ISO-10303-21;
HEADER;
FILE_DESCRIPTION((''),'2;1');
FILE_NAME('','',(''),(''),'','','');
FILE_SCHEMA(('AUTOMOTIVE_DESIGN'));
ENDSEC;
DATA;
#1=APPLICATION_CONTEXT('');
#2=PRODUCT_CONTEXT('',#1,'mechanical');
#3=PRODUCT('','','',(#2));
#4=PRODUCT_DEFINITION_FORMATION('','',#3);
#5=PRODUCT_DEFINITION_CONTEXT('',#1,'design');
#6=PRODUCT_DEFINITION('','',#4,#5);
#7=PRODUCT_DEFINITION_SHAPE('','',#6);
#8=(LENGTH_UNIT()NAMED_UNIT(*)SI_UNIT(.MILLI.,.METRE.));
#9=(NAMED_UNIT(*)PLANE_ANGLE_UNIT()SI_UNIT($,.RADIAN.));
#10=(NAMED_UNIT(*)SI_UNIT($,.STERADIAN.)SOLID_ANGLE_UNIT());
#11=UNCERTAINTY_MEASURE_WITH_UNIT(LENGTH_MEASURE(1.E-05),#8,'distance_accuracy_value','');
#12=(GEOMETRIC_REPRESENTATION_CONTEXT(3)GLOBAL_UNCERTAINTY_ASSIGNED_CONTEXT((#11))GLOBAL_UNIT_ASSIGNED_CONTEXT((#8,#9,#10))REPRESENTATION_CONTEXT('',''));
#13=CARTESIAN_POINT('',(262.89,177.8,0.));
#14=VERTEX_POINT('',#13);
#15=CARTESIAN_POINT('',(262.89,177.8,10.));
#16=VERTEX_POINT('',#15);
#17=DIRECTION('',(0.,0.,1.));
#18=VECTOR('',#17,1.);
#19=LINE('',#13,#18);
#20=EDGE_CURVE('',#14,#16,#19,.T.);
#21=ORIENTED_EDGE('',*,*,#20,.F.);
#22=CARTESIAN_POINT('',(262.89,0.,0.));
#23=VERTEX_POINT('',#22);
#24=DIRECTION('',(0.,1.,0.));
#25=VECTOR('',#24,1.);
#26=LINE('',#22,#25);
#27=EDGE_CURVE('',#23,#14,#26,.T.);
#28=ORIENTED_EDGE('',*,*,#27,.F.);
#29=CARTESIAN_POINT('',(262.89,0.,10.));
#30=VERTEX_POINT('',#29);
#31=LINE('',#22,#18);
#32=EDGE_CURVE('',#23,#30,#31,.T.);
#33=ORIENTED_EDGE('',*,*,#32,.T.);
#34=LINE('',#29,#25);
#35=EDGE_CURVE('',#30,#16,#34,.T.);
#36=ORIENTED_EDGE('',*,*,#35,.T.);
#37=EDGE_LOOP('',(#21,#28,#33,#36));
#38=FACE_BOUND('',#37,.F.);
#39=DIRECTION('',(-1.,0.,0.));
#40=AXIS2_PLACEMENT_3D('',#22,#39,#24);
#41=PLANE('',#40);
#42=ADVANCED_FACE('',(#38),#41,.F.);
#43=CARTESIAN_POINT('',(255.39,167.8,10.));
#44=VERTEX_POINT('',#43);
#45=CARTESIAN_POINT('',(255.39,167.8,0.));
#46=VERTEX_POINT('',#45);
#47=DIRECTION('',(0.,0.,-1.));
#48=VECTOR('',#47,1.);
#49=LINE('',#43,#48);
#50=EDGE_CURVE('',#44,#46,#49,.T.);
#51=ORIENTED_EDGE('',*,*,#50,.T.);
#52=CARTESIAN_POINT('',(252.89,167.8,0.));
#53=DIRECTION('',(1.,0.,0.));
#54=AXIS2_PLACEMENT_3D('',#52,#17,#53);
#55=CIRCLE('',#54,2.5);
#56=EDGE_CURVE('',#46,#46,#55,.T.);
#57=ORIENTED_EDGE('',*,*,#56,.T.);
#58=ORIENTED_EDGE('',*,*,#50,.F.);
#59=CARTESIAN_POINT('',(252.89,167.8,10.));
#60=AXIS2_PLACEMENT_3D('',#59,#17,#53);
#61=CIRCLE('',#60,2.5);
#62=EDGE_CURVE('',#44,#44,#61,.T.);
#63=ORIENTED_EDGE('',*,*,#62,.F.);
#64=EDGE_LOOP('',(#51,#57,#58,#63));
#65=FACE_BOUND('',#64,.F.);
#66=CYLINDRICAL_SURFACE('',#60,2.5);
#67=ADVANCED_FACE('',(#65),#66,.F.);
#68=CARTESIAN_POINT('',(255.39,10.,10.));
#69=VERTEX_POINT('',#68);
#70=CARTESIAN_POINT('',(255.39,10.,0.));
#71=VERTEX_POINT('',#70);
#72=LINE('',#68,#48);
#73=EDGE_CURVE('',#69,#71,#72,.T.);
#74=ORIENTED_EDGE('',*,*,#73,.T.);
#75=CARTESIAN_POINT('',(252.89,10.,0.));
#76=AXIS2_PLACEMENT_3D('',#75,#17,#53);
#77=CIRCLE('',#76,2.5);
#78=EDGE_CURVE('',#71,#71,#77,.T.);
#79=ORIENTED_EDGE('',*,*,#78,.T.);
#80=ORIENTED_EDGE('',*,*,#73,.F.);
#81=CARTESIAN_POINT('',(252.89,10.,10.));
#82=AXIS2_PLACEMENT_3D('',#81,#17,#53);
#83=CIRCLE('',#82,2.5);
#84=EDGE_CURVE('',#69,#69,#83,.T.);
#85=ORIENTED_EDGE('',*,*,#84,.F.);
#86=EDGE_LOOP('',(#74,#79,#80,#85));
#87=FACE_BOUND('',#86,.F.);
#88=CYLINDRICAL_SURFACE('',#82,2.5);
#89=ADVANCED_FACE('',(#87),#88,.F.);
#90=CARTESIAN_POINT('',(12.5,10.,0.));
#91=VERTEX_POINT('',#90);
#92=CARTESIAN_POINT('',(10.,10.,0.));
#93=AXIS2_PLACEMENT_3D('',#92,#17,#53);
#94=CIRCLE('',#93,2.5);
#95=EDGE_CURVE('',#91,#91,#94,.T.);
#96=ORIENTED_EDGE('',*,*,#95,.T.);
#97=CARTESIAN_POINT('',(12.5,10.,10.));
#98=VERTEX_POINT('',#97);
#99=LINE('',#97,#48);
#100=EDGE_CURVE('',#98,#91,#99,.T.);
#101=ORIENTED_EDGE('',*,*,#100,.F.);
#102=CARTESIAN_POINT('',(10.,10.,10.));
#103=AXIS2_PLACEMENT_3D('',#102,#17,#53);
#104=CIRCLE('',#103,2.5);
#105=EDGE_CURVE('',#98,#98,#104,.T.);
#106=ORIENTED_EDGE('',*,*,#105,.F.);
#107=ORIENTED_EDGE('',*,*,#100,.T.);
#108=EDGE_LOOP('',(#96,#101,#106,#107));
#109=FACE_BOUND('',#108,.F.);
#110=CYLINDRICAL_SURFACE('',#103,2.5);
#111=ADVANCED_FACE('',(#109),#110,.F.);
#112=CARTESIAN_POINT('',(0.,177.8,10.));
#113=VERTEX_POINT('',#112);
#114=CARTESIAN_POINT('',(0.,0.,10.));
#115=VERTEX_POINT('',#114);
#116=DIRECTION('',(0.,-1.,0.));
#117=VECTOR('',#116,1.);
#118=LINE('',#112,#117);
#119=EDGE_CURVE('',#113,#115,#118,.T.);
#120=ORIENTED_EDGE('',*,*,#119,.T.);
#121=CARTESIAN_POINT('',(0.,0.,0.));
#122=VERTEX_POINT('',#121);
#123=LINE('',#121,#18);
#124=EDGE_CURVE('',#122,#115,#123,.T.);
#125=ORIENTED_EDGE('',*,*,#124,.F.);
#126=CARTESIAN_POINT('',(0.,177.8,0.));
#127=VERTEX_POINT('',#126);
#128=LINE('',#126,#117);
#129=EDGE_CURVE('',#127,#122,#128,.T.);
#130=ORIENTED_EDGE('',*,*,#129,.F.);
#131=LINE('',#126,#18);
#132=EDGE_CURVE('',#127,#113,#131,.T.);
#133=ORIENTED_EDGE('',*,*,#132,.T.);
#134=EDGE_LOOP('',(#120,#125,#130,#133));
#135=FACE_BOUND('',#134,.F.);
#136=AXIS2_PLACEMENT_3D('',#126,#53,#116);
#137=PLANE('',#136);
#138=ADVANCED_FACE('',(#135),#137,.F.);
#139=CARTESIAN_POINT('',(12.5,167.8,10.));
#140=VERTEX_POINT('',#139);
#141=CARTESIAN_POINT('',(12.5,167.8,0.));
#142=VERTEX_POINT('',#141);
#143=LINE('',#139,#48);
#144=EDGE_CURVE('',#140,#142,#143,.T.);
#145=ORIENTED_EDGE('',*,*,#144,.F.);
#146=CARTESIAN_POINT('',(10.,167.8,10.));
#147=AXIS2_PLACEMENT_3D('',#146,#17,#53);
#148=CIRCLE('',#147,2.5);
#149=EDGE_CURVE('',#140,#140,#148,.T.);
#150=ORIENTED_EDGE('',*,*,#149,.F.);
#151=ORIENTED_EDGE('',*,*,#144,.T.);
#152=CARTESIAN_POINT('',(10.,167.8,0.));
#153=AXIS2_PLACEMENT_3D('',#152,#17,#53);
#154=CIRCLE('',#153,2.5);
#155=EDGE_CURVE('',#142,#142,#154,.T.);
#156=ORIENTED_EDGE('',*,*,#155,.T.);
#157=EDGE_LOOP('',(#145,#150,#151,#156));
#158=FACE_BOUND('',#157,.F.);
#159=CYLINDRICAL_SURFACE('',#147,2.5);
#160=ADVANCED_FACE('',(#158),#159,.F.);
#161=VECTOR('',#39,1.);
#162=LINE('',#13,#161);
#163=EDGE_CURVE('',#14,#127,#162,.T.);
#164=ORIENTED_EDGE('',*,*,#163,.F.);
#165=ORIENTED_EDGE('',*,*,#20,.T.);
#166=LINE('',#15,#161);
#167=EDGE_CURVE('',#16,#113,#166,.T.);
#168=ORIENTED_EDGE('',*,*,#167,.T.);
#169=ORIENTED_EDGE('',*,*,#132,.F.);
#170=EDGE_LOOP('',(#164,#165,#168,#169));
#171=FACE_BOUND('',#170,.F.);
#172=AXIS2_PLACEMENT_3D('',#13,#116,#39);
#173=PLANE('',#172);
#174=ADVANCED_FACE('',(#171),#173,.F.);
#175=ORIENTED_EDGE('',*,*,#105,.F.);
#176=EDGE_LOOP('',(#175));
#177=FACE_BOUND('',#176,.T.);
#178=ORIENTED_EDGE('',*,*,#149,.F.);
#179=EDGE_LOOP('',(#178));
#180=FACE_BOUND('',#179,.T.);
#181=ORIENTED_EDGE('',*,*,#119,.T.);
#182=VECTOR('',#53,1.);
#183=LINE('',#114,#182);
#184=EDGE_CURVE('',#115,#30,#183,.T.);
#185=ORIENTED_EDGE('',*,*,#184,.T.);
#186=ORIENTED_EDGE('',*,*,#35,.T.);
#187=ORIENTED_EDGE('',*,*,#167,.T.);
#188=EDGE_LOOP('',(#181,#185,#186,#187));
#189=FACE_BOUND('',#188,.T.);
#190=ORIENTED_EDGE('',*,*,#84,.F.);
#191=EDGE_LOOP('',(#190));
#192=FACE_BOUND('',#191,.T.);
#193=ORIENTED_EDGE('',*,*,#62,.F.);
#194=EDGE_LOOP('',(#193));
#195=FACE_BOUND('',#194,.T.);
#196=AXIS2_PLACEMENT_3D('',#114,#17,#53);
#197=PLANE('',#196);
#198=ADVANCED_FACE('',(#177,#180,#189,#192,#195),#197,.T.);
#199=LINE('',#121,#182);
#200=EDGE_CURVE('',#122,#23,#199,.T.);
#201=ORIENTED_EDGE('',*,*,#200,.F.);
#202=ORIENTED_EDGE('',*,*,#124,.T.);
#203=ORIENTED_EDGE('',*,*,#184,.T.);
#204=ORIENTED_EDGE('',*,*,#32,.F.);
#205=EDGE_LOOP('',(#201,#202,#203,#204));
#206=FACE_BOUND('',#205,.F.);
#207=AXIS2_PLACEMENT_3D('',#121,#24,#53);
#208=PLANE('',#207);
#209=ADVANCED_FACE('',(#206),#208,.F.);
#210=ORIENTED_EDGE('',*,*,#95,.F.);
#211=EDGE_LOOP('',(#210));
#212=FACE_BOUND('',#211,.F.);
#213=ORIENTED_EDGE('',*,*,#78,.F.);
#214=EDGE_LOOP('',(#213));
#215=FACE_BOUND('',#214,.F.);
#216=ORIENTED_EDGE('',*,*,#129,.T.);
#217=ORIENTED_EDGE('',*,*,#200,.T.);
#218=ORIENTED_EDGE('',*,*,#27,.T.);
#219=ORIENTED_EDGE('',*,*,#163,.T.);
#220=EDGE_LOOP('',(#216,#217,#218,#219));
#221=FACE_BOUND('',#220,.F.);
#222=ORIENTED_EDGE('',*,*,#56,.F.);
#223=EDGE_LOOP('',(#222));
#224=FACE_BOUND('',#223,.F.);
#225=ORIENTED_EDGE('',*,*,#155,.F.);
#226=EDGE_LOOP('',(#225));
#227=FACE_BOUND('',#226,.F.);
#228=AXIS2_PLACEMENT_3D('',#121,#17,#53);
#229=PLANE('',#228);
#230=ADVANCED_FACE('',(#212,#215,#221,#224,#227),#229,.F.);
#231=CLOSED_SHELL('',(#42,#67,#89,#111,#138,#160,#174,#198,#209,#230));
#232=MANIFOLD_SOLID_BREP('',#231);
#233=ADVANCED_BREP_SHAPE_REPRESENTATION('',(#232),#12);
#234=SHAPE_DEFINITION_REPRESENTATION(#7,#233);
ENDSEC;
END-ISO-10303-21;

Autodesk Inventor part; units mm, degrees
ref_plane "YZ Plane" through (0, 0, 0) normal (1, 0, 0) x (0, 1, 0)
ref_plane "XZ Plane" through (0, 0, 0) normal (0, 1, 0) x (-1, 0, 0)
ref_plane "XY Plane" through (0, 0, 0) normal (0, 0, 1) x (1, 0, 0)
sketch "Sketch1" plane through (0, 0, 0) normal (0, 0, 1) x (1, 0, 0)
  line L0 (0, 0) -> (262.89, 0)
  line L1 (262.89, 0) -> (262.89, 177.8)
  line L2 (262.89, 177.8) -> (0, 177.8)
  line L3 (0, 177.8) -> (0, 0)
  dimension "d0" = 262.89
  dimension "d1" = 177.8
extrude "Extrusion1" add sketch "Sketch1" along normal blind 10
sketch "Sketch3" plane through (0, 0, 10) normal (0, 0, 1) x (1, 0, 0)
  line L0 (0, 0) -> (262.89, 0) construction
  line L1 (262.89, 0) -> (262.89, 177.8) construction
  line L2 (262.89, 177.8) -> (0, 177.8) construction
  line L3 (0, 177.8) -> (0, 0) construction
  line L4 (10, 167.8) -> (252.89, 167.8) construction
  line L5 (252.89, 167.8) -> (252.89, 10) construction
  line L6 (252.89, 10) -> (10, 10) construction
  line L7 (10, 10) -> (10, 167.8) construction
  circle A0 centre (10, 167.8) radius 2.5
  circle A1 centre (10, 10) radius 2.5
  circle A2 centre (252.89, 10) radius 2.5
  circle A3 centre (252.89, 167.8) radius 2.5
  dimension "d4" = 10
  dimension "d5" = 5
  dimension "d6" = 5
  dimension "d7" = 5
  dimension "d8" = 5
extrude "Extrusion2" cut sketch "Sketch3" against normal through all
properties part number "BA12" material "ABS Plastic"
